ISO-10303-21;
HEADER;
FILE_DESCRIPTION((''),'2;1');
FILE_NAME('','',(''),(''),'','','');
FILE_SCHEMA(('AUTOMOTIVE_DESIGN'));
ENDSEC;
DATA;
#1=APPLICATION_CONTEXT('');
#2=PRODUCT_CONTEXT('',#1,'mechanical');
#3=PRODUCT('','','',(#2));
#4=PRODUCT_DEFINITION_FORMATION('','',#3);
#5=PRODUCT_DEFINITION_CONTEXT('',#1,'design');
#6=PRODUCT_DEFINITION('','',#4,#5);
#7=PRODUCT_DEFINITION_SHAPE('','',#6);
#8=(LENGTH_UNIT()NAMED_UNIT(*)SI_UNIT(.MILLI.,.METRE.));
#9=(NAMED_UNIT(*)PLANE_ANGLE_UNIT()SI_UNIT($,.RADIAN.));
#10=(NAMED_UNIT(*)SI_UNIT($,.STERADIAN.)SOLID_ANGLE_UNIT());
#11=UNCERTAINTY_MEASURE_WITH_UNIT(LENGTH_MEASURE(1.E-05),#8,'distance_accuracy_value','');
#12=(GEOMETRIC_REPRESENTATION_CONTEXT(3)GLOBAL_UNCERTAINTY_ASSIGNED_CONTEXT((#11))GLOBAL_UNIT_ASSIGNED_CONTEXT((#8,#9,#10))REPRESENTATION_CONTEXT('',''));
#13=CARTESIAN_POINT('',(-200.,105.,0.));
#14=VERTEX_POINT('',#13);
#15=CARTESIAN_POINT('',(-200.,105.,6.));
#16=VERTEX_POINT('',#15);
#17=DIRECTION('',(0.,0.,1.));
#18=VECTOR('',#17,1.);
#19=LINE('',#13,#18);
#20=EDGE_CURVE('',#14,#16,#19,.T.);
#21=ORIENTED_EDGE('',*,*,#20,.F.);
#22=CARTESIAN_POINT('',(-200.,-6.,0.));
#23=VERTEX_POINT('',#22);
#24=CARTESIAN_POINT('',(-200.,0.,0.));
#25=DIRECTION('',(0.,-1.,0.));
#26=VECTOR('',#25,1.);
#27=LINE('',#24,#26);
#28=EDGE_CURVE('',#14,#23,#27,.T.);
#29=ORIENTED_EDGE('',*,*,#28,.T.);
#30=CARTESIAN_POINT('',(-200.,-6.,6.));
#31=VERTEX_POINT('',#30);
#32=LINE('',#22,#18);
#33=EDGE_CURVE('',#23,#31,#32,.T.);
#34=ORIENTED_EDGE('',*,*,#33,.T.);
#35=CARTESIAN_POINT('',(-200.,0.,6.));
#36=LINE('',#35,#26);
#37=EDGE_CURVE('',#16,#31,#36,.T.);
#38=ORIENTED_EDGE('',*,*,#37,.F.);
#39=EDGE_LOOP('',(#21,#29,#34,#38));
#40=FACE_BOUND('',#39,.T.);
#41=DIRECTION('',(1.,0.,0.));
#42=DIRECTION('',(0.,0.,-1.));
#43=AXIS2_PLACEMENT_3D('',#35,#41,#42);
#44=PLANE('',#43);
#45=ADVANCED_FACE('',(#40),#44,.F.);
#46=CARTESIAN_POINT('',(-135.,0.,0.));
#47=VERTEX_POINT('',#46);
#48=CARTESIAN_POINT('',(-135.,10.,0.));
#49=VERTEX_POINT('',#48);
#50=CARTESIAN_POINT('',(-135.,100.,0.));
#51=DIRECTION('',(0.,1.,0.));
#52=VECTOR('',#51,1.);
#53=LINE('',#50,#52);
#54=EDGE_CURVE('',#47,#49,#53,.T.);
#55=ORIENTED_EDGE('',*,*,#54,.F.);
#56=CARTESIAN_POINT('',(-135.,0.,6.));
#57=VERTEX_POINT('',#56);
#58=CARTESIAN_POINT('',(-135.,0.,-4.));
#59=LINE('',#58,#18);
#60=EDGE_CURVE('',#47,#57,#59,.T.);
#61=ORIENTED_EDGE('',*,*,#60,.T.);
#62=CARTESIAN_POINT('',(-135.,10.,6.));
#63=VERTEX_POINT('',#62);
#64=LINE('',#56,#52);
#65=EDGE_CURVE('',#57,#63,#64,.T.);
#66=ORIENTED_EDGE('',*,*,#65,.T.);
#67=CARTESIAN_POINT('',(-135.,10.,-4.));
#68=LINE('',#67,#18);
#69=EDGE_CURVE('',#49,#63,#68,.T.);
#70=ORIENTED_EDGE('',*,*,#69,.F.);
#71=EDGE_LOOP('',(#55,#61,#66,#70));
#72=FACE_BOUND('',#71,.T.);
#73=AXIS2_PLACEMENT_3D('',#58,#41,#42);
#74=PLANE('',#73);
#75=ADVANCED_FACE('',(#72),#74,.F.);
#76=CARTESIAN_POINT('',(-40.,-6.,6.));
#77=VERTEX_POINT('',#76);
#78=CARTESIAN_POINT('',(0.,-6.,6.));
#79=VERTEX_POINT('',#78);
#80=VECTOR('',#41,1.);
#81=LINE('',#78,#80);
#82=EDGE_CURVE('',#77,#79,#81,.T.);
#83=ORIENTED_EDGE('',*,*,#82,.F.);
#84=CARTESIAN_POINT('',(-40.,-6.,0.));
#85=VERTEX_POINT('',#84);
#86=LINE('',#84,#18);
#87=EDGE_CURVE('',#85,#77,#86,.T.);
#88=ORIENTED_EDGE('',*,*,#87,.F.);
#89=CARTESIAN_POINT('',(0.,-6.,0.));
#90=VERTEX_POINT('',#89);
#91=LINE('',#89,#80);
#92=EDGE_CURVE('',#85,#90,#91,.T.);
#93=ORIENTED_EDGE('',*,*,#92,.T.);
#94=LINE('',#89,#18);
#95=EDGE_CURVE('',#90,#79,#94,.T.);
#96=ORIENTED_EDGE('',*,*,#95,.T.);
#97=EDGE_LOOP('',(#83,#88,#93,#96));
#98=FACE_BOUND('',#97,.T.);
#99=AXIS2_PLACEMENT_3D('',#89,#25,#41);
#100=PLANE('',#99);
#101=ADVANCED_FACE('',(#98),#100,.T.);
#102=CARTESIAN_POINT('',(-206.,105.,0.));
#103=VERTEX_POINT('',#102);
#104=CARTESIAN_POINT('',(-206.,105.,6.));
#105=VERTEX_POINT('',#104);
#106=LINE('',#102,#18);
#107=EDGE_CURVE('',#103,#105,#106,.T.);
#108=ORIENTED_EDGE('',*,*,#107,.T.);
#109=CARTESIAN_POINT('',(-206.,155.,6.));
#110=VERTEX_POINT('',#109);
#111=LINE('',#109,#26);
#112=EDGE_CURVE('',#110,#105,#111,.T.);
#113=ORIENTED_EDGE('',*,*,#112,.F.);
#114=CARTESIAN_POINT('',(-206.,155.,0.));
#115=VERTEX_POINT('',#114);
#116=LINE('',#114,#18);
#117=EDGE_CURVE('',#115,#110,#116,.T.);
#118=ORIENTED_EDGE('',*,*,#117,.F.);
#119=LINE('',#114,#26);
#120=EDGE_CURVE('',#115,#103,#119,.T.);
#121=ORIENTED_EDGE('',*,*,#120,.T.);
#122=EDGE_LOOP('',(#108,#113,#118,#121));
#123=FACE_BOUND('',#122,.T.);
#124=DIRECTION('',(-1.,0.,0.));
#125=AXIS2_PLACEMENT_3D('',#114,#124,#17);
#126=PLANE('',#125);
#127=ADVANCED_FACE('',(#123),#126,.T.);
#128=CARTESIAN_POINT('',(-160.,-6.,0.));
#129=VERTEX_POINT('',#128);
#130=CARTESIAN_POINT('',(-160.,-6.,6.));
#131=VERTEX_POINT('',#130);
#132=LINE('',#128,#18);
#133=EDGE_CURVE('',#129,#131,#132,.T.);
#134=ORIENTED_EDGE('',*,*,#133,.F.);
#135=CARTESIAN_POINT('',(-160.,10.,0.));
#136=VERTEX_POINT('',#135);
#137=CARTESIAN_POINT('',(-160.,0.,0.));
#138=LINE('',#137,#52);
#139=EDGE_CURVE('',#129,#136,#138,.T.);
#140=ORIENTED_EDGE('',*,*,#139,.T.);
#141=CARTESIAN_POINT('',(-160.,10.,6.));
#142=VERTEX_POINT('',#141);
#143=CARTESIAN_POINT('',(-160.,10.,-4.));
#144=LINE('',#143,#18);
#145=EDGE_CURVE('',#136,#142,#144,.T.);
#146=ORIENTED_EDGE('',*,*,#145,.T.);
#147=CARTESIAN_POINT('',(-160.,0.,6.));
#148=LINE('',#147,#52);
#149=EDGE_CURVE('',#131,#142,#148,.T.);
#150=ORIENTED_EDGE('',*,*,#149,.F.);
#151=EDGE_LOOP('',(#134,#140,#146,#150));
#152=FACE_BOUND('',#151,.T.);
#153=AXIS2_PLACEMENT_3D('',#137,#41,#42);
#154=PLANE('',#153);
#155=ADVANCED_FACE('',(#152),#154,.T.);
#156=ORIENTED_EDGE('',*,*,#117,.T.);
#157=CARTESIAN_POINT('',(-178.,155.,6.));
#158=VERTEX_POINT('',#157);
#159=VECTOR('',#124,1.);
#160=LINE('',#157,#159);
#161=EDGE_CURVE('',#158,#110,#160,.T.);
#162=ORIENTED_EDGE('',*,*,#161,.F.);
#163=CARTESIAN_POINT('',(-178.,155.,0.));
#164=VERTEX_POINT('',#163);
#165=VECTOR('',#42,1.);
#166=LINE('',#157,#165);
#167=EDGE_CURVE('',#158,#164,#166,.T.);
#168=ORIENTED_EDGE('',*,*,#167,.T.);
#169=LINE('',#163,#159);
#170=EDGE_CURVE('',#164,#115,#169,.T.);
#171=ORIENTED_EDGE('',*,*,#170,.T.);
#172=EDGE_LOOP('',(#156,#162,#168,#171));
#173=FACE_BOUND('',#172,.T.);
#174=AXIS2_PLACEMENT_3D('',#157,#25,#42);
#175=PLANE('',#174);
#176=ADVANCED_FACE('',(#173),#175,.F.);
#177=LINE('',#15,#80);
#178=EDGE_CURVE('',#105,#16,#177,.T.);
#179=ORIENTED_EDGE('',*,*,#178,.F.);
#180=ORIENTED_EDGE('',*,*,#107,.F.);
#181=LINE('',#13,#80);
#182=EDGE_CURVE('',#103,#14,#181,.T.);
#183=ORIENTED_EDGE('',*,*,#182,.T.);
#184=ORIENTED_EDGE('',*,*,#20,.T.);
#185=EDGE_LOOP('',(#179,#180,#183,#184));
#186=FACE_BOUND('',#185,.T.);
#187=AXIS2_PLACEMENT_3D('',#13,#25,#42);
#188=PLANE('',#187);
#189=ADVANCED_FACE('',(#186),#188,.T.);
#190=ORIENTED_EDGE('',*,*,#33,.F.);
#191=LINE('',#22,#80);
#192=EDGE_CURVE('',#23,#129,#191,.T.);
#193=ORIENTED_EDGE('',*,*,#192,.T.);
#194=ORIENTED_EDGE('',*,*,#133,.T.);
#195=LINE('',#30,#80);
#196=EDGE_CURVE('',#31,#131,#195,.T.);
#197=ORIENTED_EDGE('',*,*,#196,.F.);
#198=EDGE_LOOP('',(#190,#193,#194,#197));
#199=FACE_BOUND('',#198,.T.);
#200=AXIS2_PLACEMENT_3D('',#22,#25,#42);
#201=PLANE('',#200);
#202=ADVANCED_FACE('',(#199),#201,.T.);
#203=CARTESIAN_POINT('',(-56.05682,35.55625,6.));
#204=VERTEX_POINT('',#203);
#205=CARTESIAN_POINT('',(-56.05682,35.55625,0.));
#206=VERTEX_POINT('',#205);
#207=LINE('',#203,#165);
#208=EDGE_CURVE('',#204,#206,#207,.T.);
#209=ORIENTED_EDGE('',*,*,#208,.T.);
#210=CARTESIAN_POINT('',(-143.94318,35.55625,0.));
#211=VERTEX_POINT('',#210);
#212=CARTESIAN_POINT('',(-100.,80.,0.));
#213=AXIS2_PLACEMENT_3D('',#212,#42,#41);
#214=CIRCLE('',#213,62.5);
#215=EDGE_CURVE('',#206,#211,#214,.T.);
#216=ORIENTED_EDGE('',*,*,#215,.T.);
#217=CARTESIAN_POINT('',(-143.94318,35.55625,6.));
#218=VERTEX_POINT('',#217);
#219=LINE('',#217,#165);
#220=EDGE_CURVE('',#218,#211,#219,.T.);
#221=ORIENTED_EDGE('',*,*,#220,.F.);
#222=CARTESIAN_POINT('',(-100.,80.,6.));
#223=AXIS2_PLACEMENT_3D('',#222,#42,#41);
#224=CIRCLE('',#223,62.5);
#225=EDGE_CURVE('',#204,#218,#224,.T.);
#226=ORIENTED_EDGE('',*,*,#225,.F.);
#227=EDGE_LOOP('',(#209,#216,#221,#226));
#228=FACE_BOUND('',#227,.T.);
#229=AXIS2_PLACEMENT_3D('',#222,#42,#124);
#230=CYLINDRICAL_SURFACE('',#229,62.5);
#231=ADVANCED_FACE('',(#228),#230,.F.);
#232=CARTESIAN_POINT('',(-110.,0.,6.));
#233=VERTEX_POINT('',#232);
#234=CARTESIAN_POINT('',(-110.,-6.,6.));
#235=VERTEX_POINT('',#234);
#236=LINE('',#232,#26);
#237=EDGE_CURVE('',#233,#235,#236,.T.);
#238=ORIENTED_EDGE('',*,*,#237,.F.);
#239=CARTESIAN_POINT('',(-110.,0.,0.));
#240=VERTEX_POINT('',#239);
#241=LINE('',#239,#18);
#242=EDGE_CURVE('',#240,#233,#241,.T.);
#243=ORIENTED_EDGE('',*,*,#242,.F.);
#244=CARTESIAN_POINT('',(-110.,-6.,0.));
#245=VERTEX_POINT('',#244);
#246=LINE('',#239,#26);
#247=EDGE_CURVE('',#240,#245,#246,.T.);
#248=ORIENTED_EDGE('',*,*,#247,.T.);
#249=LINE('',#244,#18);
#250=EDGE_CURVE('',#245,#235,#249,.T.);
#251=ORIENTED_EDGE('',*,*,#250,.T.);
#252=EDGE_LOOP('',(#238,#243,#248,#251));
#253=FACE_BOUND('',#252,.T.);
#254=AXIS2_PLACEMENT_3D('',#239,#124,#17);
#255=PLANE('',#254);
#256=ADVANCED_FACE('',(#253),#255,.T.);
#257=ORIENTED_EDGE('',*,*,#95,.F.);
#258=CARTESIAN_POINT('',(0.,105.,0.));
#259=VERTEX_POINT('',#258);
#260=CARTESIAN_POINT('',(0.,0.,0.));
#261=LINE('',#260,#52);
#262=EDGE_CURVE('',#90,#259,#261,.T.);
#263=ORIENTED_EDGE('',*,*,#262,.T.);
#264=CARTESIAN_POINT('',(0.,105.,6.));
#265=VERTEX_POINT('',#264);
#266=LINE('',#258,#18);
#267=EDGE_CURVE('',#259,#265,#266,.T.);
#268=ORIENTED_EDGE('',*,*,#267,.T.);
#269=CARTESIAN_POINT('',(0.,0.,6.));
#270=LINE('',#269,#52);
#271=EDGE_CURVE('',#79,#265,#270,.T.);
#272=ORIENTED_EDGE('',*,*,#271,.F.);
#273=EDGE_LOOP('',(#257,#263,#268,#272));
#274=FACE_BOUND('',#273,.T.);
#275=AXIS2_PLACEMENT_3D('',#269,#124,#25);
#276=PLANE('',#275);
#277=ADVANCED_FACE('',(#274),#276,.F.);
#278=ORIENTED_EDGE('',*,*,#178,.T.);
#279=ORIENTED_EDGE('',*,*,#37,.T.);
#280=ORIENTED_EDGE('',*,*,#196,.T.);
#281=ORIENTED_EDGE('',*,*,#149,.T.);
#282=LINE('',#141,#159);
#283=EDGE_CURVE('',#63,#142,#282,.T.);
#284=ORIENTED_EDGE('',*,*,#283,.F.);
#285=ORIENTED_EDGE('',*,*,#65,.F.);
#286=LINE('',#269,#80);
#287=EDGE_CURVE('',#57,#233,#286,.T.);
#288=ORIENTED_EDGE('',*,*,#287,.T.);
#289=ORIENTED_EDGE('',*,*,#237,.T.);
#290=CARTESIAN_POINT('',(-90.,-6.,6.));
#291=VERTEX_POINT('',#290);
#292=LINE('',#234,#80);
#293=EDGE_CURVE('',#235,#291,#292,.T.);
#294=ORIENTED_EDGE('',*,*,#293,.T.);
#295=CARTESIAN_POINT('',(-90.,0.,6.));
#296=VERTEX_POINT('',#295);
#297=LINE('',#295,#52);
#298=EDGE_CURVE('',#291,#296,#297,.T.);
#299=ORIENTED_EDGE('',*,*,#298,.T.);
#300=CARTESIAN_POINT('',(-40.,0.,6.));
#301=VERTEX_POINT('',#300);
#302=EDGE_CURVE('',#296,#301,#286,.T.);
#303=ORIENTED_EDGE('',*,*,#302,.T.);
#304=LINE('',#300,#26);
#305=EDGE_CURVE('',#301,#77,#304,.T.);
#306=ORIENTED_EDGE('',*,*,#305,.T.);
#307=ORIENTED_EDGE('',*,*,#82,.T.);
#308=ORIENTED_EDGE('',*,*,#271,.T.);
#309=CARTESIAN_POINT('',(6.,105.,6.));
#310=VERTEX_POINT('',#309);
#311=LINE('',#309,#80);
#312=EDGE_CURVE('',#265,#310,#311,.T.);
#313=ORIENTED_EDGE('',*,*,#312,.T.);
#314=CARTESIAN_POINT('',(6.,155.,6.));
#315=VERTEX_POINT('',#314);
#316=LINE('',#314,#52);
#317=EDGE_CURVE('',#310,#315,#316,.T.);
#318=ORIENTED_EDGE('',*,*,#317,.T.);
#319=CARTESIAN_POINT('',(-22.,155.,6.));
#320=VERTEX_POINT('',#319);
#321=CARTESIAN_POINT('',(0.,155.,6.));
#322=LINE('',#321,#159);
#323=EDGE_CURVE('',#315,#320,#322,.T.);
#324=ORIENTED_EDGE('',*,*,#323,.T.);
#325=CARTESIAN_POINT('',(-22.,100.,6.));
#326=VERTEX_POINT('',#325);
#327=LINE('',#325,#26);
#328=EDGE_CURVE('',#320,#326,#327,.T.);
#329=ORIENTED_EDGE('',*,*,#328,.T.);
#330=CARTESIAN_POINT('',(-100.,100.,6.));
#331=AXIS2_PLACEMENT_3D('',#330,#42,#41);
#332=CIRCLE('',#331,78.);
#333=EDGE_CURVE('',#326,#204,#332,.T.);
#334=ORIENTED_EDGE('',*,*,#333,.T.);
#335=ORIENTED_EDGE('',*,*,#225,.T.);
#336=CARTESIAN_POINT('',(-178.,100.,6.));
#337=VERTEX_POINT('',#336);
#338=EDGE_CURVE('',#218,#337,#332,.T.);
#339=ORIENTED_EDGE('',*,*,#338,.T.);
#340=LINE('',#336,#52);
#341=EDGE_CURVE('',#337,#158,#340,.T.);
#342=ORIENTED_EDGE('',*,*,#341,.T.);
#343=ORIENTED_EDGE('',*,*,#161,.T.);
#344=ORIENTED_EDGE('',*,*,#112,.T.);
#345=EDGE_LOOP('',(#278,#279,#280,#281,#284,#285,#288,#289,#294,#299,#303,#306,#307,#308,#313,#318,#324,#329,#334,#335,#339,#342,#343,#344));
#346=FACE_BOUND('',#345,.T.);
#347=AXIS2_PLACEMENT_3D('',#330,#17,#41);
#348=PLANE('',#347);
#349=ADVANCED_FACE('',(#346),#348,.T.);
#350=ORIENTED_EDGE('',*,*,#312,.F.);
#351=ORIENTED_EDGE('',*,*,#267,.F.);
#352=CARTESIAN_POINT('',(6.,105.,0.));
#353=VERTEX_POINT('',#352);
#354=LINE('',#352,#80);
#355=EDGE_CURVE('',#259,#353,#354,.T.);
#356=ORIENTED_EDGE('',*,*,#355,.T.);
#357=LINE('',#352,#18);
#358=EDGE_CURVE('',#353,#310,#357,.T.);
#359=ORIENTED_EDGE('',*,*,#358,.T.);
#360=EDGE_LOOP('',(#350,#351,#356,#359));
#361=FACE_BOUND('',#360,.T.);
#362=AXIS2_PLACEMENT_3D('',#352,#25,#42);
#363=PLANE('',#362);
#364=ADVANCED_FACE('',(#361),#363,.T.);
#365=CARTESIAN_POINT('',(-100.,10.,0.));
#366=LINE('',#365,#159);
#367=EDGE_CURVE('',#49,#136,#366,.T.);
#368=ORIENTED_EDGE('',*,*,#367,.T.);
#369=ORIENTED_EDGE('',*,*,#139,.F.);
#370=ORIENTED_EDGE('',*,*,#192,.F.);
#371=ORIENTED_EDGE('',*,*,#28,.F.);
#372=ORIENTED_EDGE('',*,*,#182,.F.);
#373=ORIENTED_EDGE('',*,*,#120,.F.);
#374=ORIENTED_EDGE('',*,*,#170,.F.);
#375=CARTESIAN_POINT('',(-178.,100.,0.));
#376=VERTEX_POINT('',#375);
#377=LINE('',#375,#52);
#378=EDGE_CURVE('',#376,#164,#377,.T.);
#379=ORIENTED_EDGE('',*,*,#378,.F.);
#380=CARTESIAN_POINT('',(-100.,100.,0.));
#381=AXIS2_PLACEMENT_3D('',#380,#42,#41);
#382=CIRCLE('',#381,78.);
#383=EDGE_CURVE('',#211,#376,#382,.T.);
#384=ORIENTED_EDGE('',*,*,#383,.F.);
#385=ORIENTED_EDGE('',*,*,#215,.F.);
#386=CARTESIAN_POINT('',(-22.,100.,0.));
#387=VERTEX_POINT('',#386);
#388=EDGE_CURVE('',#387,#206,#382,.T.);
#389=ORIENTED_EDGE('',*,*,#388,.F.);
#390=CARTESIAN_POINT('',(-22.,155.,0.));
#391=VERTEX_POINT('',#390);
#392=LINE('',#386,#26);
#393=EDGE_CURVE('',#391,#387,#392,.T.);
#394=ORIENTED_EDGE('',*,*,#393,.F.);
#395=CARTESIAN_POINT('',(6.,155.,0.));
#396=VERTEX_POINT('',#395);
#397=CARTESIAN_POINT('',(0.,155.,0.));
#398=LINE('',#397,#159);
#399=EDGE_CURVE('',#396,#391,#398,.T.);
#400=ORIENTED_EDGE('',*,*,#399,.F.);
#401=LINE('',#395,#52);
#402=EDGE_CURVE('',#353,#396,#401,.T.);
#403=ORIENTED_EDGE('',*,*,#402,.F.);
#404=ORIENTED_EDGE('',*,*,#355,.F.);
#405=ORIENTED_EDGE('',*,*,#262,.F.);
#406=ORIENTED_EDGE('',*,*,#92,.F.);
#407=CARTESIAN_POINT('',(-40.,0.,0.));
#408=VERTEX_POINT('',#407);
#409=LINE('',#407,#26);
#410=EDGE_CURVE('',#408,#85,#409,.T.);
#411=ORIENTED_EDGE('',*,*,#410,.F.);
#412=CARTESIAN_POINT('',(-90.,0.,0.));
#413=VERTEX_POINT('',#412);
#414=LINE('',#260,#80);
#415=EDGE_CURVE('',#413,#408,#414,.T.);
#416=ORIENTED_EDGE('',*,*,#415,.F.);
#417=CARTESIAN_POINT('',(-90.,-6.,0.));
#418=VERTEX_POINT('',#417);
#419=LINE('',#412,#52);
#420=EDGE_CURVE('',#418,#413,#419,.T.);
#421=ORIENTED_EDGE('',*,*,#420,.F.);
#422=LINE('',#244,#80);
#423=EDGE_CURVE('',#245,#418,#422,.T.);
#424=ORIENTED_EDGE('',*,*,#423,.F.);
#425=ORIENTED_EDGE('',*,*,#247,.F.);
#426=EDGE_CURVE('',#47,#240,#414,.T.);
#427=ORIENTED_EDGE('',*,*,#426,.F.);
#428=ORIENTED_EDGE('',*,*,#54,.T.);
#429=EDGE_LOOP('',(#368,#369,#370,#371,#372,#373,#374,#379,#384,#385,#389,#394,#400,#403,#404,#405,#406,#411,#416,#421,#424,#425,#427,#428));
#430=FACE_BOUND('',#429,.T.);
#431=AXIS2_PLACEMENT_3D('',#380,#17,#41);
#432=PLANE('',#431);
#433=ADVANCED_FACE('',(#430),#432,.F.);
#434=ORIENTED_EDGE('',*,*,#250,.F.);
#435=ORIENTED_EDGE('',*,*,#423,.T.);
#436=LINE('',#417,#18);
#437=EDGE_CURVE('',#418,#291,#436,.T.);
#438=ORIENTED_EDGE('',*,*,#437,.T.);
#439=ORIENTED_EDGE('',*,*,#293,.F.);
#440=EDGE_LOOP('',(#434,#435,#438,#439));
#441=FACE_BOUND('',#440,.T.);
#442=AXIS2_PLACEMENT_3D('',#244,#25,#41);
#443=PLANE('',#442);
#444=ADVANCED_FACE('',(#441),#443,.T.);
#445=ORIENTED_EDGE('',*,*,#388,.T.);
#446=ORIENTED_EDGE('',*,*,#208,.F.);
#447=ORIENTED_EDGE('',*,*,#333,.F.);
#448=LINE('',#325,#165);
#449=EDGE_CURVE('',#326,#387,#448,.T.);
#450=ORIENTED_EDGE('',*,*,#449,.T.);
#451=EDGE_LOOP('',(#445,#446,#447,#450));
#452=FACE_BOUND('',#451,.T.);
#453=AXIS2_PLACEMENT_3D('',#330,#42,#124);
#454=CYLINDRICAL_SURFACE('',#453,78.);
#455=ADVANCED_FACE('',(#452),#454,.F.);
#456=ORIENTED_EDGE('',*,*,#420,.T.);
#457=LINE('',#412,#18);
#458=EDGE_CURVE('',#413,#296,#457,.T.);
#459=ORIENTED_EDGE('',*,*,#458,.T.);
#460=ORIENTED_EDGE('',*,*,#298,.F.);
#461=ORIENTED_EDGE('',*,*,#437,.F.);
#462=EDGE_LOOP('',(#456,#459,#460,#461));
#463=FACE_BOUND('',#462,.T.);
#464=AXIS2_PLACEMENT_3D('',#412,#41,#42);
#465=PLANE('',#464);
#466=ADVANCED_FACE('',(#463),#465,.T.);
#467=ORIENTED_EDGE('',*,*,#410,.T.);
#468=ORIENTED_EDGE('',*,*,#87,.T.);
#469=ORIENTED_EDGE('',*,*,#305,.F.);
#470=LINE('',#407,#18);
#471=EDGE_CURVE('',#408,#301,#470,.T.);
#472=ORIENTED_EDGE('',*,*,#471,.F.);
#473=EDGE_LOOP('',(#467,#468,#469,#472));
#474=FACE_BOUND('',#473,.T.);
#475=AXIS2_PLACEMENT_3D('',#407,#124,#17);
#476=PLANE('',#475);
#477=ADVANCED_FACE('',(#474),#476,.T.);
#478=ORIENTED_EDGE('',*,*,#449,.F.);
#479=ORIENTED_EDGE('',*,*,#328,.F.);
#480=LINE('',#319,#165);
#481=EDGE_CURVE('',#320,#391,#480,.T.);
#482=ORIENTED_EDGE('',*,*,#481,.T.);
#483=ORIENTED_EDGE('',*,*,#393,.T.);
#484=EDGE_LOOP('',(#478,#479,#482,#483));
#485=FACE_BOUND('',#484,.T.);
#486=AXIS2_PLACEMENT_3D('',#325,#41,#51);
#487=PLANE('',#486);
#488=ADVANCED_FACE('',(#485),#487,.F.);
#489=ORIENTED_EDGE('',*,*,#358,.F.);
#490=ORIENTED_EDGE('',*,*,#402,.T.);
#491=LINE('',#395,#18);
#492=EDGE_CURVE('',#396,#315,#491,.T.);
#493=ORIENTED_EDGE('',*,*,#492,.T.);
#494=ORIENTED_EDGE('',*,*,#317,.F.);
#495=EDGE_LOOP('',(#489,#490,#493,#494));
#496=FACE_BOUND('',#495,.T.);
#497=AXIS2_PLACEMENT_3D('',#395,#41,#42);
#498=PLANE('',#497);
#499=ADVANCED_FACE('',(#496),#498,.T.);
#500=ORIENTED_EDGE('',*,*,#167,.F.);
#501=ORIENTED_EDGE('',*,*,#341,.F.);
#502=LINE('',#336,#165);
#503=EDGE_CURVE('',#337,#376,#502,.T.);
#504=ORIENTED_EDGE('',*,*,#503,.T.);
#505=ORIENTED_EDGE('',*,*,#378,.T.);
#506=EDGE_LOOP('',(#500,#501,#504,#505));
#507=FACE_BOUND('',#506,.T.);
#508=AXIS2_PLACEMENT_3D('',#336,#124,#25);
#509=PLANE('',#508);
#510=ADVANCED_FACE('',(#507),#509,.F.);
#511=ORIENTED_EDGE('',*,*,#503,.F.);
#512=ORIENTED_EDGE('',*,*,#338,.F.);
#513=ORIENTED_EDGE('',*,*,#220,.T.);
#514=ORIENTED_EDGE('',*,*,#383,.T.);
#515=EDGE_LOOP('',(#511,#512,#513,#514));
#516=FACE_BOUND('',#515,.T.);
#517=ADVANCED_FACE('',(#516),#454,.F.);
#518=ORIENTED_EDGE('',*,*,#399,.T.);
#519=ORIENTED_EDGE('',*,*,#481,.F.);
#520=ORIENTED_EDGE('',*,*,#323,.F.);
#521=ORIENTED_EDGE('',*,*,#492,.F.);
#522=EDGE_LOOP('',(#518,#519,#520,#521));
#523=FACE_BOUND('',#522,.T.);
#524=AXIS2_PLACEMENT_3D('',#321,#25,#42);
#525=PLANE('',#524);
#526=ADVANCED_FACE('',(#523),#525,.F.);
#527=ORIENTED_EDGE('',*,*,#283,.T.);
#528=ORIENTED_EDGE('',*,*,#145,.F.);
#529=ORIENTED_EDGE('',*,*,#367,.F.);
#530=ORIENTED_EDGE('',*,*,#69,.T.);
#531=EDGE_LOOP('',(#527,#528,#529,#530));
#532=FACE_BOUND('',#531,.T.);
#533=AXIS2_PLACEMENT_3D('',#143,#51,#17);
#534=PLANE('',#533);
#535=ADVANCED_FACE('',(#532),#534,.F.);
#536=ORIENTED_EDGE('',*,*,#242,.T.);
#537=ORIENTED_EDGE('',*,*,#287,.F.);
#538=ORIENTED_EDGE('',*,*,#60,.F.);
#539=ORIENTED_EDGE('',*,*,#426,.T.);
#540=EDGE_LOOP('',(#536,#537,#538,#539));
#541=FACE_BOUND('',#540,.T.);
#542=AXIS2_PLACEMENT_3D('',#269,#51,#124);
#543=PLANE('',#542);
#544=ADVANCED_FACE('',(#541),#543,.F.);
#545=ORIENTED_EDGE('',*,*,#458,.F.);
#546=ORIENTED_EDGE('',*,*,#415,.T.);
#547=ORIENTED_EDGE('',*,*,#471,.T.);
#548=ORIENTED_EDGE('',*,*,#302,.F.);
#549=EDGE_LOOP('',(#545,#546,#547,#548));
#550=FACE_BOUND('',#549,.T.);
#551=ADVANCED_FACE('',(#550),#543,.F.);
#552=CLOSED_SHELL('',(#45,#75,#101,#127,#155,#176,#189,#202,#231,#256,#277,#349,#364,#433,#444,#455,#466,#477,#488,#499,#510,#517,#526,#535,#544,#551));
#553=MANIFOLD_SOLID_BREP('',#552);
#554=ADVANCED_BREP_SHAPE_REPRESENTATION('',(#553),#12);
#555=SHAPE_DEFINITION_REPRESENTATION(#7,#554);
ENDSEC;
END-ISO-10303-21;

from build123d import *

# Parameters (mm, degrees)
BOSS_EXTRUDE1_DEPTH = 6
SKETCH3_W           = 6
SKETCH3_H           = 50
BOSS_EXTRUDE2_DEPTH = 6
LPATTERN1_COUNT     = 2
LPATTERN1_PITCH     = 206
SKETCH4_W           = 40
SKETCH4_H           = 6
SKETCH4_W_2         = 20
BOSS_EXTRUDE3_DEPTH = 6
SKETCH5_W           = 25
SKETCH5_H           = 10
CUT_EXTRUDE1_DEPTH  = 10


with BuildPart() as part:
    # Sketch1 → Boss-Extrude1 (new body)
    with BuildSketch(Plane.XY):
        with BuildLine():
            Line((-178, 100), (-178, 155))
            Line((-178, 155), (-200, 155))
            Line((-200, 155), (-200, 0))
            Line((-200, 0), (0, 0))
            Line((0, 0), (0, 155))
            Line((0, 155), (-22, 155))
            Line((-22, 155), (-22, 100))
            ThreePointArc((-22, 100), (-31.037807258, 63.555302549), (-56.056819802, 35.55625))
            ThreePointArc((-56.056819802, 35.55625), (-100, 17.5), (-143.943180198, 35.55625))
            ThreePointArc((-143.943180198, 35.55625), (-168.962192742, 63.555302549), (-178, 100))
        make_face()
    extrude(amount=BOSS_EXTRUDE1_DEPTH)

    # Sketch3 → Boss-Extrude2 (add)
    with BuildSketch(Plane.XY.offset(6)):
        with Locations((-203, 130)):
            Rectangle(SKETCH3_W, SKETCH3_H)
    boss_extrude2 = extrude(amount=-BOSS_EXTRUDE2_DEPTH)

    # LPattern1: Boss-Extrude2 ×2
    with Locations(*[(i * LPATTERN1_PITCH, 0, 0) for i in range(1, LPATTERN1_COUNT)]):
        add(boss_extrude2)

    # Sketch4 → Boss-Extrude3 (add)
    with BuildSketch(Plane.XY.offset(6)):
        with Locations((-180, -3)):
            Rectangle(SKETCH4_W, SKETCH4_H)
        with Locations((-100, -3)):
            Rectangle(SKETCH4_W_2, SKETCH4_H)
        with Locations((-20, -3)):
            Rectangle(SKETCH4_W, SKETCH4_H)
    extrude(amount=-BOSS_EXTRUDE3_DEPTH)

    # Sketch5 → Cut-Extrude1 (cut)
    with BuildSketch(Plane.XY.offset(6)):
        with Locations((-147.5, 5)):
            Rectangle(SKETCH5_W, SKETCH5_H)
    extrude(amount=-CUT_EXTRUDE1_DEPTH, mode=Mode.SUBTRACT)


solid = part.part
